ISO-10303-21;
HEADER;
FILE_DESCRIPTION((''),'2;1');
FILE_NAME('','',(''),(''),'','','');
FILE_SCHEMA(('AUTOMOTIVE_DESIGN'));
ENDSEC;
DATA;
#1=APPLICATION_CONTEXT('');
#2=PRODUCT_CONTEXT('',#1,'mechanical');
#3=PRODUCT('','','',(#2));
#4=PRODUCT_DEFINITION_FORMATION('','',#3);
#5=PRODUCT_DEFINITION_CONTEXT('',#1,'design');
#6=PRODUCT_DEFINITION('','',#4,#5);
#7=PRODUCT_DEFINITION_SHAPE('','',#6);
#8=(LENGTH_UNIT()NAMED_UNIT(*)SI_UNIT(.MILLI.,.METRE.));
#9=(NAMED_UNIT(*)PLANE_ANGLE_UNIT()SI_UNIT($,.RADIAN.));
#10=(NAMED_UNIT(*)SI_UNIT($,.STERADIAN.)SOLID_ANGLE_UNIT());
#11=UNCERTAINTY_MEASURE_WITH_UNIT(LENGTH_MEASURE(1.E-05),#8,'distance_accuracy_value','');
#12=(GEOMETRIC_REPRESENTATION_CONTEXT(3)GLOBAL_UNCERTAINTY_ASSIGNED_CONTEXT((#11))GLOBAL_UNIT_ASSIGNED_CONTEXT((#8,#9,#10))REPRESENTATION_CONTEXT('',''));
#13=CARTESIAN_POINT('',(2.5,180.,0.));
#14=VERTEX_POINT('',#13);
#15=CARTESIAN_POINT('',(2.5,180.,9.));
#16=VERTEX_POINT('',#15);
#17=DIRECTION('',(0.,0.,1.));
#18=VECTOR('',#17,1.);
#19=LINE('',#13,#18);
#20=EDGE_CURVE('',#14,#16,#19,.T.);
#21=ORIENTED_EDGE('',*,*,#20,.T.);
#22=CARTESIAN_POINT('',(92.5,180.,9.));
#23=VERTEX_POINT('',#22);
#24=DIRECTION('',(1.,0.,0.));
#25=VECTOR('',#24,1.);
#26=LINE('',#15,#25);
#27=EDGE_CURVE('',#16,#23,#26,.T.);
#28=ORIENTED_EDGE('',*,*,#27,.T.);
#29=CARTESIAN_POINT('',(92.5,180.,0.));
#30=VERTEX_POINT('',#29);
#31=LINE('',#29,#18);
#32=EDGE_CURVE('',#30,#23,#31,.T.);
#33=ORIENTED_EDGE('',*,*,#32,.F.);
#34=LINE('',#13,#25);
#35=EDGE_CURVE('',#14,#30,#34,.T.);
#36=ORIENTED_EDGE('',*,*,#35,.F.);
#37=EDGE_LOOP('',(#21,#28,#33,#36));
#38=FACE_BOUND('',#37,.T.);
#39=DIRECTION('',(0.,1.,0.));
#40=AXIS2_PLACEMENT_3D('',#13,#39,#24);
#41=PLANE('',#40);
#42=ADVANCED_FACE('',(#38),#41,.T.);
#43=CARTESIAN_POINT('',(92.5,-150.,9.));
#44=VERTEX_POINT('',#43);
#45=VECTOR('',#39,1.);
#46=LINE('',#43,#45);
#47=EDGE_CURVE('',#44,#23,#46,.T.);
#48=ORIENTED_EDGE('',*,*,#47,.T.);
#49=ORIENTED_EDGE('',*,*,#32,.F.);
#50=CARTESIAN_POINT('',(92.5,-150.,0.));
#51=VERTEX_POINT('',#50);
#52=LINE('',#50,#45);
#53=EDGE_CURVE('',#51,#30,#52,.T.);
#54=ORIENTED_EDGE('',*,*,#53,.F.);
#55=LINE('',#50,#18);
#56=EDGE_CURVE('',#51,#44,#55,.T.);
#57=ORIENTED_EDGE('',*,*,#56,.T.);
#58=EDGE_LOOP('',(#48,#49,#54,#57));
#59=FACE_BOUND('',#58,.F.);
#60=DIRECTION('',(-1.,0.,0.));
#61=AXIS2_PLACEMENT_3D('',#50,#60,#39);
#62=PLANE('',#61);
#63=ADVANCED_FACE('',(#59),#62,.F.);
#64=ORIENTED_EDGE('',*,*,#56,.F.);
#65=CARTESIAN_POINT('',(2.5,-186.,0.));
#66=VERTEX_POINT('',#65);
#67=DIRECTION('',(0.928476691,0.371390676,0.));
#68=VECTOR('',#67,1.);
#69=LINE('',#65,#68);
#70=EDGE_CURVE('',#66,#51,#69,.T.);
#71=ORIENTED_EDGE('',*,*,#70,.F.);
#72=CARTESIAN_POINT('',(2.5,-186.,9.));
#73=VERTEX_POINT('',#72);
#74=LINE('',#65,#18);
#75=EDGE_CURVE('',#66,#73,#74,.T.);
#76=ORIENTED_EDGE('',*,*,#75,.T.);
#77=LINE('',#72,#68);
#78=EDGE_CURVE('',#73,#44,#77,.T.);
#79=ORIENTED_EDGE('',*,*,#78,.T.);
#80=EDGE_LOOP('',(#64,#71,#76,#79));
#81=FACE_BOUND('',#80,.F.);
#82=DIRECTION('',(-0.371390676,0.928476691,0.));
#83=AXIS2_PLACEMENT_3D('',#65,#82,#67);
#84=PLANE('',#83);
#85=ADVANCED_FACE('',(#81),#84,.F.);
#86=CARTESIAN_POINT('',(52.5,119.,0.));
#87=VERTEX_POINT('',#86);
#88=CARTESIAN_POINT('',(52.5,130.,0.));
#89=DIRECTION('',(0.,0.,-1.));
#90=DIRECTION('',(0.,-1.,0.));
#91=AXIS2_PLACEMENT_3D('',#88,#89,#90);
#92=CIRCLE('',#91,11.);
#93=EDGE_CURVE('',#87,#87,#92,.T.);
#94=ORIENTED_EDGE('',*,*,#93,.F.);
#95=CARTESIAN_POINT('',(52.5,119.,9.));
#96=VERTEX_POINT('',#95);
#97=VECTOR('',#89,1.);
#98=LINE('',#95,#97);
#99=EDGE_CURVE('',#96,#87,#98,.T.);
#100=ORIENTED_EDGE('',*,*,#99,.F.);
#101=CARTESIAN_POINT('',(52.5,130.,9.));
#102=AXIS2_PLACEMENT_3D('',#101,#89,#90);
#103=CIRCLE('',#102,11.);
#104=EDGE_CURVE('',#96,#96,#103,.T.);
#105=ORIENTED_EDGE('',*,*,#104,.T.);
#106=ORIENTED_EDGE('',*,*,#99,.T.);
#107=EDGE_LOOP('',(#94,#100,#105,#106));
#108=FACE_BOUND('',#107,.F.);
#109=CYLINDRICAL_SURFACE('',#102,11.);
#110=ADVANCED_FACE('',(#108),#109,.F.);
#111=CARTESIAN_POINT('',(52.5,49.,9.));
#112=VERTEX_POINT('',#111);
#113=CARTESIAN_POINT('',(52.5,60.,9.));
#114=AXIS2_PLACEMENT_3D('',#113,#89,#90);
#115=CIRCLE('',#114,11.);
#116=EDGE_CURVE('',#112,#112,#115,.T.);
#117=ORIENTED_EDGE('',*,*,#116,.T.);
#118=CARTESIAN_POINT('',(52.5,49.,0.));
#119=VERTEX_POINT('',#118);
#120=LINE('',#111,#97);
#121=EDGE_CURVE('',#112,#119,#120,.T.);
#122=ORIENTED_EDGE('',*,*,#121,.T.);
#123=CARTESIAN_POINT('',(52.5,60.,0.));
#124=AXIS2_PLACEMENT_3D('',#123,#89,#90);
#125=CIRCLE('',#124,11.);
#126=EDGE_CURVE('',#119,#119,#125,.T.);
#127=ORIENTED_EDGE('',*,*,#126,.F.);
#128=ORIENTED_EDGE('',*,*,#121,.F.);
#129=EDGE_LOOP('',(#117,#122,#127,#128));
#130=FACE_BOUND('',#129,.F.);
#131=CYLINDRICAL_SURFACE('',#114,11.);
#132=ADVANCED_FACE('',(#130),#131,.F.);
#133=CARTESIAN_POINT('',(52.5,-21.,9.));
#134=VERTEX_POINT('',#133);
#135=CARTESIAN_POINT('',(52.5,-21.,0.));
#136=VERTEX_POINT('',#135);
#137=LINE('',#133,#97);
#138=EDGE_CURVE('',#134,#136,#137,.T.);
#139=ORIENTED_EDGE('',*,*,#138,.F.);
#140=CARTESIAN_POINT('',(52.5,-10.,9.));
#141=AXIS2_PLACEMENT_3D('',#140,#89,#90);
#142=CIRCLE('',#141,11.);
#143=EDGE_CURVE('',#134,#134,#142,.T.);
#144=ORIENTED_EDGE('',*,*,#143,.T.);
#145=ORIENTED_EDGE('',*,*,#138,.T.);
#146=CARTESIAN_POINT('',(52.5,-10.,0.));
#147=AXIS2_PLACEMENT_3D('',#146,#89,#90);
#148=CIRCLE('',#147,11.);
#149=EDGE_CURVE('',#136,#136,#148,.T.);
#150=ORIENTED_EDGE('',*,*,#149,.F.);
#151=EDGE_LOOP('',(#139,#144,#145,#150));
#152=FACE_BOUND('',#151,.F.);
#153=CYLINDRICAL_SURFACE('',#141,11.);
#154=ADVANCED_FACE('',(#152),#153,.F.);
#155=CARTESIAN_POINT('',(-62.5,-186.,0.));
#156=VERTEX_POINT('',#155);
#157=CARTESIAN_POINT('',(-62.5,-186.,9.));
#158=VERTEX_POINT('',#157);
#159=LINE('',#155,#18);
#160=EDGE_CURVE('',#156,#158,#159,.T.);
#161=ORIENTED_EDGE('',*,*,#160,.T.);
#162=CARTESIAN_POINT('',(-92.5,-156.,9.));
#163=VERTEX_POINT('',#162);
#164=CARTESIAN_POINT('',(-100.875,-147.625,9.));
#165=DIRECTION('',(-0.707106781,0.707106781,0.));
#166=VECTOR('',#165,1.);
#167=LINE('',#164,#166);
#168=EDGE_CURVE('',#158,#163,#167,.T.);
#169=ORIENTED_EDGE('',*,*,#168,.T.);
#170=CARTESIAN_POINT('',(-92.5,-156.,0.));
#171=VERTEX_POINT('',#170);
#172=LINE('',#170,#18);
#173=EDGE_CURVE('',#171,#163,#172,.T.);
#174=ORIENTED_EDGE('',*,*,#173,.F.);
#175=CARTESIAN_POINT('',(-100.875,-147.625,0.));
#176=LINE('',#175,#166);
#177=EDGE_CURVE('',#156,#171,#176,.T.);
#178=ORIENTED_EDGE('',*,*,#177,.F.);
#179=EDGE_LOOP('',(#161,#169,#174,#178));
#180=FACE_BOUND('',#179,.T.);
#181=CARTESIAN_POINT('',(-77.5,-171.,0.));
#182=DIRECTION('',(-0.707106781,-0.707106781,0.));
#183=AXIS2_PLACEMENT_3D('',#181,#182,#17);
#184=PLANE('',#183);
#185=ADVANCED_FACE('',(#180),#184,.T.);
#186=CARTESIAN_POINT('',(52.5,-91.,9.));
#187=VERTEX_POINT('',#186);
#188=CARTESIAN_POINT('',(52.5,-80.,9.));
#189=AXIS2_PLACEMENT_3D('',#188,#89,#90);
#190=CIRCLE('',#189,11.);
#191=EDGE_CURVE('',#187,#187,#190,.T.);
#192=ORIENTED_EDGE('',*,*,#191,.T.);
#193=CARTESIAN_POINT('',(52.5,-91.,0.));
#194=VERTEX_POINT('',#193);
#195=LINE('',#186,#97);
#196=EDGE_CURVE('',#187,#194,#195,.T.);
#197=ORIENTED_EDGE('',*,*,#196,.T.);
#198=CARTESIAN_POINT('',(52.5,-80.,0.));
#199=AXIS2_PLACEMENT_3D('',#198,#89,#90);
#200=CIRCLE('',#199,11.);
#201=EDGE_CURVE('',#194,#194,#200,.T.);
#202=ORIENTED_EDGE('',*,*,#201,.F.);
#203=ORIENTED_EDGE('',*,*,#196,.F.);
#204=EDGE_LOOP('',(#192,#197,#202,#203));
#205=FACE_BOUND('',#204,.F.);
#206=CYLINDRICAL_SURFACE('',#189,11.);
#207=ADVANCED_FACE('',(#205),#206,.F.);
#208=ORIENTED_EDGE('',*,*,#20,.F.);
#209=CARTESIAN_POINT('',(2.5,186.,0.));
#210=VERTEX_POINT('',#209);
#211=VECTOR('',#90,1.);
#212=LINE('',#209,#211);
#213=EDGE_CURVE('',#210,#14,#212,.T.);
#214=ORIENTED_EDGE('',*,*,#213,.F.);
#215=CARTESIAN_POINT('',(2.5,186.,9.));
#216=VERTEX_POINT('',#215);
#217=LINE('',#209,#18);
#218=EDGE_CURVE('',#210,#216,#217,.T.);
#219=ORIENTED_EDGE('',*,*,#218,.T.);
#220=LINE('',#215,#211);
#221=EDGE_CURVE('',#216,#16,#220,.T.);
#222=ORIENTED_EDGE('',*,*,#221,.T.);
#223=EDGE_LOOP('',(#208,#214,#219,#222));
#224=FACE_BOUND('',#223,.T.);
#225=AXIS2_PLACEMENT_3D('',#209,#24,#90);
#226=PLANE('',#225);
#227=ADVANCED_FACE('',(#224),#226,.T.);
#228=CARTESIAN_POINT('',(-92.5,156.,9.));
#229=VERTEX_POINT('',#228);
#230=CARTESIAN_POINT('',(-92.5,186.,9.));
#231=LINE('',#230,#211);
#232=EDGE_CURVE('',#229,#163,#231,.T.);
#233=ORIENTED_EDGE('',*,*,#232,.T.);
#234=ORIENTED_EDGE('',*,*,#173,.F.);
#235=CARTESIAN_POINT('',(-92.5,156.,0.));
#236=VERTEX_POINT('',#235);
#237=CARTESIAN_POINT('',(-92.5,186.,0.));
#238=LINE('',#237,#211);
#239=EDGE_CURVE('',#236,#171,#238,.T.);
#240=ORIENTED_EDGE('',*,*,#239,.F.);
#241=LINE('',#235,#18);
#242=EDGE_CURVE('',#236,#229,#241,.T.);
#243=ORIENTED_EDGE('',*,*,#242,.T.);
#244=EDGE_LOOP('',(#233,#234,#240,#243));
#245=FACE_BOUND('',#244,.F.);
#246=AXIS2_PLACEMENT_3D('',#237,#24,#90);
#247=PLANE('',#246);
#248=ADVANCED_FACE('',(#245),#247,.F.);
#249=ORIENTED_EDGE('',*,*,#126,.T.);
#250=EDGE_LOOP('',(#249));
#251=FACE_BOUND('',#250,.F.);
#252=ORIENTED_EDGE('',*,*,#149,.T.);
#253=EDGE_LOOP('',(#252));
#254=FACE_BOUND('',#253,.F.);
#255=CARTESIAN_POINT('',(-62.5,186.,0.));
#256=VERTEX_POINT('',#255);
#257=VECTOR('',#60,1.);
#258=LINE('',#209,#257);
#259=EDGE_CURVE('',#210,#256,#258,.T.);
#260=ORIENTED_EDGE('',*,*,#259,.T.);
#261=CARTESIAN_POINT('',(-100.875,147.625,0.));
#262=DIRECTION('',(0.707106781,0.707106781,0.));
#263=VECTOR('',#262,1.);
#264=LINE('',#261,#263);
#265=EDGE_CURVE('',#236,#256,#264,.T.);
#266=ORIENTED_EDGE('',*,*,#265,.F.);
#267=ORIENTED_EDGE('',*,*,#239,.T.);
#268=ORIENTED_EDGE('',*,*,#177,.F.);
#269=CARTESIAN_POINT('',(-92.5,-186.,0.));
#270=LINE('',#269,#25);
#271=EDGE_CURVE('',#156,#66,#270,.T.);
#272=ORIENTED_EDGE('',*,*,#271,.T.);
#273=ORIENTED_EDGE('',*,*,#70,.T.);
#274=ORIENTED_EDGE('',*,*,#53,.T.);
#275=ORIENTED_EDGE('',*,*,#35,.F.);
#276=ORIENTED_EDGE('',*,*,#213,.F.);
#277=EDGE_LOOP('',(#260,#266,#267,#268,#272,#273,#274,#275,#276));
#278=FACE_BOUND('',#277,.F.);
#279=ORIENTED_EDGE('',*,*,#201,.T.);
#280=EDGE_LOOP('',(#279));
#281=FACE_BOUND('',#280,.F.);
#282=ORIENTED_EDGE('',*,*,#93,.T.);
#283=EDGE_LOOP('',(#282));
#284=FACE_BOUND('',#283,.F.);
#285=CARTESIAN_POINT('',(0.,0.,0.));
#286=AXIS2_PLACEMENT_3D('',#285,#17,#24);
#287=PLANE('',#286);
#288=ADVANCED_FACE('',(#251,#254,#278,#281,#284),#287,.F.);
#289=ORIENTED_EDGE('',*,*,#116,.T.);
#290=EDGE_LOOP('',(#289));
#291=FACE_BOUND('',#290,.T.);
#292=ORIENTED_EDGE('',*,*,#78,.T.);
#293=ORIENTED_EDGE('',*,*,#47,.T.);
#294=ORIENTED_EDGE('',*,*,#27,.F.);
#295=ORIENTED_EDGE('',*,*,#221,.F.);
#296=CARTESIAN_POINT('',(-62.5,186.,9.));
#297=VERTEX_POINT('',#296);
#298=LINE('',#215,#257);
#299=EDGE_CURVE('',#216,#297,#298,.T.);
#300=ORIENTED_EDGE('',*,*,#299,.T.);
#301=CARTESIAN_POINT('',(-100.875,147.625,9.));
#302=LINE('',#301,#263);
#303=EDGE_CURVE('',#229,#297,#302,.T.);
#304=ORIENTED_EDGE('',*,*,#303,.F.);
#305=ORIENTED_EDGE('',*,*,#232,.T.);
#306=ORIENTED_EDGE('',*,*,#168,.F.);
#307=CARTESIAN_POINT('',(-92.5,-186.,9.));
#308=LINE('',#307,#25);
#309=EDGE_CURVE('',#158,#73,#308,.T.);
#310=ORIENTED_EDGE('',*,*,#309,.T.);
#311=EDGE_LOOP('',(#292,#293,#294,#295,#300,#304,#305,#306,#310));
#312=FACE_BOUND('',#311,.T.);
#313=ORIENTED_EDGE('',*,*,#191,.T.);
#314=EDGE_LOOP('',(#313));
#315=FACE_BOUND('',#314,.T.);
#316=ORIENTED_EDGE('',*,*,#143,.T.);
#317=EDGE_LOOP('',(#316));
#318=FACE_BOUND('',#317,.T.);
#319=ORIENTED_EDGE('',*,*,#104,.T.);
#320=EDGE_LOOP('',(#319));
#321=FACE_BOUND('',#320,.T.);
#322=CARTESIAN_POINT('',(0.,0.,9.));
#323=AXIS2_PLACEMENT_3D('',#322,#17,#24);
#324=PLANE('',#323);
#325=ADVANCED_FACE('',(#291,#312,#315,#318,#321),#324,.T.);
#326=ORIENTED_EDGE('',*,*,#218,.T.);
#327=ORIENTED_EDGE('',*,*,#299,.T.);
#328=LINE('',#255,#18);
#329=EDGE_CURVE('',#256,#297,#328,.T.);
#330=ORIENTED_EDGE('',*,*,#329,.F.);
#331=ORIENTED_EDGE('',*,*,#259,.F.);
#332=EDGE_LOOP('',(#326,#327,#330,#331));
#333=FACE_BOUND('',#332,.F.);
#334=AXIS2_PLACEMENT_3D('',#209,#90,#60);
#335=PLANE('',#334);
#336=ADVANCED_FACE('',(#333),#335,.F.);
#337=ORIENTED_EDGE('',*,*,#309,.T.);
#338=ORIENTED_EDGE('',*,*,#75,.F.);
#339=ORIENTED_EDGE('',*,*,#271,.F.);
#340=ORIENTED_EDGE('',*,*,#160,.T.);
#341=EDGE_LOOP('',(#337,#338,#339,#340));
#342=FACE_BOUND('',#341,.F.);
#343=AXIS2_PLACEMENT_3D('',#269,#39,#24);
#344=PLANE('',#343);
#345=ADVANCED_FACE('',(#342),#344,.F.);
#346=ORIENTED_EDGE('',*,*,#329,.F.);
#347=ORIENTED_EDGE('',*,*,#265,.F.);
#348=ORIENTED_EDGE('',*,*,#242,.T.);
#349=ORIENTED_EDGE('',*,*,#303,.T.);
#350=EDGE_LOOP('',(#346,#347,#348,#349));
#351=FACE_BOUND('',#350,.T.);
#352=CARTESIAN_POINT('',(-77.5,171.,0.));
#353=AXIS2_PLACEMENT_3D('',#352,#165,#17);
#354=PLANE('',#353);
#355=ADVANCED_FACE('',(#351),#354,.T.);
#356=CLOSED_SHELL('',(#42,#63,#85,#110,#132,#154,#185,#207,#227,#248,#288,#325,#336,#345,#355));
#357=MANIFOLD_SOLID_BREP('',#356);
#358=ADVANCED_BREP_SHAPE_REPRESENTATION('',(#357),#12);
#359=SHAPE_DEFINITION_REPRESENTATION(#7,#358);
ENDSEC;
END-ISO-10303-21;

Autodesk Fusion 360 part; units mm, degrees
sketch "スケッチ1" plane through (0, 0, 0) normal (0, 0, 1) x (1, 0, 0)
  line L0 (2.5, 186) -> (-92.5, 186)
  line L1 (-92.5, 186) -> (-92.5, -186)
  line L2 (-92.5, -186) -> (2.5, -186)
  line L3 (92.5, -150) -> (92.5, 180)
  line L4 (89.5161, 180) -> (-92.5, -186) construction
  line L5 (-92.5, 186) -> (77.5673, -155.9731) construction
  line L6 (2.5, 186) -> (2.5, 180)
  line L7 (2.5, 180) -> (92.5, 180)
  line L8 (-92.5, -186) -> (2.5, -186) construction
  line L9 (2.5, -186) -> (92.5, -150)
  dimension "d2" = 372
  dimension "d5" = 95
extrude "押し出し1" add sketch "スケッチ1" along normal blind 9
chamfer "面取り1" distance 30 angle 45 2 edges at (-92.5, -186, 4.5) (-92.5, 186, 4.5)
sketch "スケッチ2" plane through (0, 0, 9) normal (0, 0, 1) x (-1, 0, 0)
  line L0 (62.5, -186) -> (92.5, -156)
  line L1 (92.5, -156) -> (92.5, 156)
  line L2 (92.5, 156) -> (62.5, 186)
  line L3 (62.5, 186) -> (-2.5, 186)
  line L4 (-2.5, 186) -> (-92.5, 150)
  line L5 (-92.5, 150) -> (-92.5, -180)
  line L6 (-92.5, -180) -> (-2.5, -180)
  line L7 (-2.5, -180) -> (-2.5, -186)
  line L8 (-2.5, -186) -> (62.5, -186)
  line L9 (-92.5, -180) -> (-52.5, -180) construction
  line L10 (-52.5, -180) -> (-52.5, -130) construction
  line L11 (-52.5, -130) -> (-92.5, -130) construction
  line L12 (-92.5, -130) -> (-92.5, -180) construction
  line L13 (-52.5, -130) -> (-52.5, -60) construction
  line L14 (-52.5, -60) -> (-52.5, 10) construction
  line L15 (-52.5, 10) -> (-52.5, 80) construction
  point P0 (-52.5, -130)
  point P1 (-52.5, -60)
  point P2 (-52.5, 10)
  point P3 (-52.5, 80)
  dimension "d10" = 40
  dimension "d11" = 50
  dimension "d12" = 70
  dimension "d13" = 70
  dimension "d14" = 70
hole "穴1" at (52.5, 130, 9) at (52.5, 60, 9) at (52.5, -10, 9) at (52.5, -80, 9) direction (0, 0, -1) diameter 22 end through all
equation "d5 = 30 mm + 65 mm"
